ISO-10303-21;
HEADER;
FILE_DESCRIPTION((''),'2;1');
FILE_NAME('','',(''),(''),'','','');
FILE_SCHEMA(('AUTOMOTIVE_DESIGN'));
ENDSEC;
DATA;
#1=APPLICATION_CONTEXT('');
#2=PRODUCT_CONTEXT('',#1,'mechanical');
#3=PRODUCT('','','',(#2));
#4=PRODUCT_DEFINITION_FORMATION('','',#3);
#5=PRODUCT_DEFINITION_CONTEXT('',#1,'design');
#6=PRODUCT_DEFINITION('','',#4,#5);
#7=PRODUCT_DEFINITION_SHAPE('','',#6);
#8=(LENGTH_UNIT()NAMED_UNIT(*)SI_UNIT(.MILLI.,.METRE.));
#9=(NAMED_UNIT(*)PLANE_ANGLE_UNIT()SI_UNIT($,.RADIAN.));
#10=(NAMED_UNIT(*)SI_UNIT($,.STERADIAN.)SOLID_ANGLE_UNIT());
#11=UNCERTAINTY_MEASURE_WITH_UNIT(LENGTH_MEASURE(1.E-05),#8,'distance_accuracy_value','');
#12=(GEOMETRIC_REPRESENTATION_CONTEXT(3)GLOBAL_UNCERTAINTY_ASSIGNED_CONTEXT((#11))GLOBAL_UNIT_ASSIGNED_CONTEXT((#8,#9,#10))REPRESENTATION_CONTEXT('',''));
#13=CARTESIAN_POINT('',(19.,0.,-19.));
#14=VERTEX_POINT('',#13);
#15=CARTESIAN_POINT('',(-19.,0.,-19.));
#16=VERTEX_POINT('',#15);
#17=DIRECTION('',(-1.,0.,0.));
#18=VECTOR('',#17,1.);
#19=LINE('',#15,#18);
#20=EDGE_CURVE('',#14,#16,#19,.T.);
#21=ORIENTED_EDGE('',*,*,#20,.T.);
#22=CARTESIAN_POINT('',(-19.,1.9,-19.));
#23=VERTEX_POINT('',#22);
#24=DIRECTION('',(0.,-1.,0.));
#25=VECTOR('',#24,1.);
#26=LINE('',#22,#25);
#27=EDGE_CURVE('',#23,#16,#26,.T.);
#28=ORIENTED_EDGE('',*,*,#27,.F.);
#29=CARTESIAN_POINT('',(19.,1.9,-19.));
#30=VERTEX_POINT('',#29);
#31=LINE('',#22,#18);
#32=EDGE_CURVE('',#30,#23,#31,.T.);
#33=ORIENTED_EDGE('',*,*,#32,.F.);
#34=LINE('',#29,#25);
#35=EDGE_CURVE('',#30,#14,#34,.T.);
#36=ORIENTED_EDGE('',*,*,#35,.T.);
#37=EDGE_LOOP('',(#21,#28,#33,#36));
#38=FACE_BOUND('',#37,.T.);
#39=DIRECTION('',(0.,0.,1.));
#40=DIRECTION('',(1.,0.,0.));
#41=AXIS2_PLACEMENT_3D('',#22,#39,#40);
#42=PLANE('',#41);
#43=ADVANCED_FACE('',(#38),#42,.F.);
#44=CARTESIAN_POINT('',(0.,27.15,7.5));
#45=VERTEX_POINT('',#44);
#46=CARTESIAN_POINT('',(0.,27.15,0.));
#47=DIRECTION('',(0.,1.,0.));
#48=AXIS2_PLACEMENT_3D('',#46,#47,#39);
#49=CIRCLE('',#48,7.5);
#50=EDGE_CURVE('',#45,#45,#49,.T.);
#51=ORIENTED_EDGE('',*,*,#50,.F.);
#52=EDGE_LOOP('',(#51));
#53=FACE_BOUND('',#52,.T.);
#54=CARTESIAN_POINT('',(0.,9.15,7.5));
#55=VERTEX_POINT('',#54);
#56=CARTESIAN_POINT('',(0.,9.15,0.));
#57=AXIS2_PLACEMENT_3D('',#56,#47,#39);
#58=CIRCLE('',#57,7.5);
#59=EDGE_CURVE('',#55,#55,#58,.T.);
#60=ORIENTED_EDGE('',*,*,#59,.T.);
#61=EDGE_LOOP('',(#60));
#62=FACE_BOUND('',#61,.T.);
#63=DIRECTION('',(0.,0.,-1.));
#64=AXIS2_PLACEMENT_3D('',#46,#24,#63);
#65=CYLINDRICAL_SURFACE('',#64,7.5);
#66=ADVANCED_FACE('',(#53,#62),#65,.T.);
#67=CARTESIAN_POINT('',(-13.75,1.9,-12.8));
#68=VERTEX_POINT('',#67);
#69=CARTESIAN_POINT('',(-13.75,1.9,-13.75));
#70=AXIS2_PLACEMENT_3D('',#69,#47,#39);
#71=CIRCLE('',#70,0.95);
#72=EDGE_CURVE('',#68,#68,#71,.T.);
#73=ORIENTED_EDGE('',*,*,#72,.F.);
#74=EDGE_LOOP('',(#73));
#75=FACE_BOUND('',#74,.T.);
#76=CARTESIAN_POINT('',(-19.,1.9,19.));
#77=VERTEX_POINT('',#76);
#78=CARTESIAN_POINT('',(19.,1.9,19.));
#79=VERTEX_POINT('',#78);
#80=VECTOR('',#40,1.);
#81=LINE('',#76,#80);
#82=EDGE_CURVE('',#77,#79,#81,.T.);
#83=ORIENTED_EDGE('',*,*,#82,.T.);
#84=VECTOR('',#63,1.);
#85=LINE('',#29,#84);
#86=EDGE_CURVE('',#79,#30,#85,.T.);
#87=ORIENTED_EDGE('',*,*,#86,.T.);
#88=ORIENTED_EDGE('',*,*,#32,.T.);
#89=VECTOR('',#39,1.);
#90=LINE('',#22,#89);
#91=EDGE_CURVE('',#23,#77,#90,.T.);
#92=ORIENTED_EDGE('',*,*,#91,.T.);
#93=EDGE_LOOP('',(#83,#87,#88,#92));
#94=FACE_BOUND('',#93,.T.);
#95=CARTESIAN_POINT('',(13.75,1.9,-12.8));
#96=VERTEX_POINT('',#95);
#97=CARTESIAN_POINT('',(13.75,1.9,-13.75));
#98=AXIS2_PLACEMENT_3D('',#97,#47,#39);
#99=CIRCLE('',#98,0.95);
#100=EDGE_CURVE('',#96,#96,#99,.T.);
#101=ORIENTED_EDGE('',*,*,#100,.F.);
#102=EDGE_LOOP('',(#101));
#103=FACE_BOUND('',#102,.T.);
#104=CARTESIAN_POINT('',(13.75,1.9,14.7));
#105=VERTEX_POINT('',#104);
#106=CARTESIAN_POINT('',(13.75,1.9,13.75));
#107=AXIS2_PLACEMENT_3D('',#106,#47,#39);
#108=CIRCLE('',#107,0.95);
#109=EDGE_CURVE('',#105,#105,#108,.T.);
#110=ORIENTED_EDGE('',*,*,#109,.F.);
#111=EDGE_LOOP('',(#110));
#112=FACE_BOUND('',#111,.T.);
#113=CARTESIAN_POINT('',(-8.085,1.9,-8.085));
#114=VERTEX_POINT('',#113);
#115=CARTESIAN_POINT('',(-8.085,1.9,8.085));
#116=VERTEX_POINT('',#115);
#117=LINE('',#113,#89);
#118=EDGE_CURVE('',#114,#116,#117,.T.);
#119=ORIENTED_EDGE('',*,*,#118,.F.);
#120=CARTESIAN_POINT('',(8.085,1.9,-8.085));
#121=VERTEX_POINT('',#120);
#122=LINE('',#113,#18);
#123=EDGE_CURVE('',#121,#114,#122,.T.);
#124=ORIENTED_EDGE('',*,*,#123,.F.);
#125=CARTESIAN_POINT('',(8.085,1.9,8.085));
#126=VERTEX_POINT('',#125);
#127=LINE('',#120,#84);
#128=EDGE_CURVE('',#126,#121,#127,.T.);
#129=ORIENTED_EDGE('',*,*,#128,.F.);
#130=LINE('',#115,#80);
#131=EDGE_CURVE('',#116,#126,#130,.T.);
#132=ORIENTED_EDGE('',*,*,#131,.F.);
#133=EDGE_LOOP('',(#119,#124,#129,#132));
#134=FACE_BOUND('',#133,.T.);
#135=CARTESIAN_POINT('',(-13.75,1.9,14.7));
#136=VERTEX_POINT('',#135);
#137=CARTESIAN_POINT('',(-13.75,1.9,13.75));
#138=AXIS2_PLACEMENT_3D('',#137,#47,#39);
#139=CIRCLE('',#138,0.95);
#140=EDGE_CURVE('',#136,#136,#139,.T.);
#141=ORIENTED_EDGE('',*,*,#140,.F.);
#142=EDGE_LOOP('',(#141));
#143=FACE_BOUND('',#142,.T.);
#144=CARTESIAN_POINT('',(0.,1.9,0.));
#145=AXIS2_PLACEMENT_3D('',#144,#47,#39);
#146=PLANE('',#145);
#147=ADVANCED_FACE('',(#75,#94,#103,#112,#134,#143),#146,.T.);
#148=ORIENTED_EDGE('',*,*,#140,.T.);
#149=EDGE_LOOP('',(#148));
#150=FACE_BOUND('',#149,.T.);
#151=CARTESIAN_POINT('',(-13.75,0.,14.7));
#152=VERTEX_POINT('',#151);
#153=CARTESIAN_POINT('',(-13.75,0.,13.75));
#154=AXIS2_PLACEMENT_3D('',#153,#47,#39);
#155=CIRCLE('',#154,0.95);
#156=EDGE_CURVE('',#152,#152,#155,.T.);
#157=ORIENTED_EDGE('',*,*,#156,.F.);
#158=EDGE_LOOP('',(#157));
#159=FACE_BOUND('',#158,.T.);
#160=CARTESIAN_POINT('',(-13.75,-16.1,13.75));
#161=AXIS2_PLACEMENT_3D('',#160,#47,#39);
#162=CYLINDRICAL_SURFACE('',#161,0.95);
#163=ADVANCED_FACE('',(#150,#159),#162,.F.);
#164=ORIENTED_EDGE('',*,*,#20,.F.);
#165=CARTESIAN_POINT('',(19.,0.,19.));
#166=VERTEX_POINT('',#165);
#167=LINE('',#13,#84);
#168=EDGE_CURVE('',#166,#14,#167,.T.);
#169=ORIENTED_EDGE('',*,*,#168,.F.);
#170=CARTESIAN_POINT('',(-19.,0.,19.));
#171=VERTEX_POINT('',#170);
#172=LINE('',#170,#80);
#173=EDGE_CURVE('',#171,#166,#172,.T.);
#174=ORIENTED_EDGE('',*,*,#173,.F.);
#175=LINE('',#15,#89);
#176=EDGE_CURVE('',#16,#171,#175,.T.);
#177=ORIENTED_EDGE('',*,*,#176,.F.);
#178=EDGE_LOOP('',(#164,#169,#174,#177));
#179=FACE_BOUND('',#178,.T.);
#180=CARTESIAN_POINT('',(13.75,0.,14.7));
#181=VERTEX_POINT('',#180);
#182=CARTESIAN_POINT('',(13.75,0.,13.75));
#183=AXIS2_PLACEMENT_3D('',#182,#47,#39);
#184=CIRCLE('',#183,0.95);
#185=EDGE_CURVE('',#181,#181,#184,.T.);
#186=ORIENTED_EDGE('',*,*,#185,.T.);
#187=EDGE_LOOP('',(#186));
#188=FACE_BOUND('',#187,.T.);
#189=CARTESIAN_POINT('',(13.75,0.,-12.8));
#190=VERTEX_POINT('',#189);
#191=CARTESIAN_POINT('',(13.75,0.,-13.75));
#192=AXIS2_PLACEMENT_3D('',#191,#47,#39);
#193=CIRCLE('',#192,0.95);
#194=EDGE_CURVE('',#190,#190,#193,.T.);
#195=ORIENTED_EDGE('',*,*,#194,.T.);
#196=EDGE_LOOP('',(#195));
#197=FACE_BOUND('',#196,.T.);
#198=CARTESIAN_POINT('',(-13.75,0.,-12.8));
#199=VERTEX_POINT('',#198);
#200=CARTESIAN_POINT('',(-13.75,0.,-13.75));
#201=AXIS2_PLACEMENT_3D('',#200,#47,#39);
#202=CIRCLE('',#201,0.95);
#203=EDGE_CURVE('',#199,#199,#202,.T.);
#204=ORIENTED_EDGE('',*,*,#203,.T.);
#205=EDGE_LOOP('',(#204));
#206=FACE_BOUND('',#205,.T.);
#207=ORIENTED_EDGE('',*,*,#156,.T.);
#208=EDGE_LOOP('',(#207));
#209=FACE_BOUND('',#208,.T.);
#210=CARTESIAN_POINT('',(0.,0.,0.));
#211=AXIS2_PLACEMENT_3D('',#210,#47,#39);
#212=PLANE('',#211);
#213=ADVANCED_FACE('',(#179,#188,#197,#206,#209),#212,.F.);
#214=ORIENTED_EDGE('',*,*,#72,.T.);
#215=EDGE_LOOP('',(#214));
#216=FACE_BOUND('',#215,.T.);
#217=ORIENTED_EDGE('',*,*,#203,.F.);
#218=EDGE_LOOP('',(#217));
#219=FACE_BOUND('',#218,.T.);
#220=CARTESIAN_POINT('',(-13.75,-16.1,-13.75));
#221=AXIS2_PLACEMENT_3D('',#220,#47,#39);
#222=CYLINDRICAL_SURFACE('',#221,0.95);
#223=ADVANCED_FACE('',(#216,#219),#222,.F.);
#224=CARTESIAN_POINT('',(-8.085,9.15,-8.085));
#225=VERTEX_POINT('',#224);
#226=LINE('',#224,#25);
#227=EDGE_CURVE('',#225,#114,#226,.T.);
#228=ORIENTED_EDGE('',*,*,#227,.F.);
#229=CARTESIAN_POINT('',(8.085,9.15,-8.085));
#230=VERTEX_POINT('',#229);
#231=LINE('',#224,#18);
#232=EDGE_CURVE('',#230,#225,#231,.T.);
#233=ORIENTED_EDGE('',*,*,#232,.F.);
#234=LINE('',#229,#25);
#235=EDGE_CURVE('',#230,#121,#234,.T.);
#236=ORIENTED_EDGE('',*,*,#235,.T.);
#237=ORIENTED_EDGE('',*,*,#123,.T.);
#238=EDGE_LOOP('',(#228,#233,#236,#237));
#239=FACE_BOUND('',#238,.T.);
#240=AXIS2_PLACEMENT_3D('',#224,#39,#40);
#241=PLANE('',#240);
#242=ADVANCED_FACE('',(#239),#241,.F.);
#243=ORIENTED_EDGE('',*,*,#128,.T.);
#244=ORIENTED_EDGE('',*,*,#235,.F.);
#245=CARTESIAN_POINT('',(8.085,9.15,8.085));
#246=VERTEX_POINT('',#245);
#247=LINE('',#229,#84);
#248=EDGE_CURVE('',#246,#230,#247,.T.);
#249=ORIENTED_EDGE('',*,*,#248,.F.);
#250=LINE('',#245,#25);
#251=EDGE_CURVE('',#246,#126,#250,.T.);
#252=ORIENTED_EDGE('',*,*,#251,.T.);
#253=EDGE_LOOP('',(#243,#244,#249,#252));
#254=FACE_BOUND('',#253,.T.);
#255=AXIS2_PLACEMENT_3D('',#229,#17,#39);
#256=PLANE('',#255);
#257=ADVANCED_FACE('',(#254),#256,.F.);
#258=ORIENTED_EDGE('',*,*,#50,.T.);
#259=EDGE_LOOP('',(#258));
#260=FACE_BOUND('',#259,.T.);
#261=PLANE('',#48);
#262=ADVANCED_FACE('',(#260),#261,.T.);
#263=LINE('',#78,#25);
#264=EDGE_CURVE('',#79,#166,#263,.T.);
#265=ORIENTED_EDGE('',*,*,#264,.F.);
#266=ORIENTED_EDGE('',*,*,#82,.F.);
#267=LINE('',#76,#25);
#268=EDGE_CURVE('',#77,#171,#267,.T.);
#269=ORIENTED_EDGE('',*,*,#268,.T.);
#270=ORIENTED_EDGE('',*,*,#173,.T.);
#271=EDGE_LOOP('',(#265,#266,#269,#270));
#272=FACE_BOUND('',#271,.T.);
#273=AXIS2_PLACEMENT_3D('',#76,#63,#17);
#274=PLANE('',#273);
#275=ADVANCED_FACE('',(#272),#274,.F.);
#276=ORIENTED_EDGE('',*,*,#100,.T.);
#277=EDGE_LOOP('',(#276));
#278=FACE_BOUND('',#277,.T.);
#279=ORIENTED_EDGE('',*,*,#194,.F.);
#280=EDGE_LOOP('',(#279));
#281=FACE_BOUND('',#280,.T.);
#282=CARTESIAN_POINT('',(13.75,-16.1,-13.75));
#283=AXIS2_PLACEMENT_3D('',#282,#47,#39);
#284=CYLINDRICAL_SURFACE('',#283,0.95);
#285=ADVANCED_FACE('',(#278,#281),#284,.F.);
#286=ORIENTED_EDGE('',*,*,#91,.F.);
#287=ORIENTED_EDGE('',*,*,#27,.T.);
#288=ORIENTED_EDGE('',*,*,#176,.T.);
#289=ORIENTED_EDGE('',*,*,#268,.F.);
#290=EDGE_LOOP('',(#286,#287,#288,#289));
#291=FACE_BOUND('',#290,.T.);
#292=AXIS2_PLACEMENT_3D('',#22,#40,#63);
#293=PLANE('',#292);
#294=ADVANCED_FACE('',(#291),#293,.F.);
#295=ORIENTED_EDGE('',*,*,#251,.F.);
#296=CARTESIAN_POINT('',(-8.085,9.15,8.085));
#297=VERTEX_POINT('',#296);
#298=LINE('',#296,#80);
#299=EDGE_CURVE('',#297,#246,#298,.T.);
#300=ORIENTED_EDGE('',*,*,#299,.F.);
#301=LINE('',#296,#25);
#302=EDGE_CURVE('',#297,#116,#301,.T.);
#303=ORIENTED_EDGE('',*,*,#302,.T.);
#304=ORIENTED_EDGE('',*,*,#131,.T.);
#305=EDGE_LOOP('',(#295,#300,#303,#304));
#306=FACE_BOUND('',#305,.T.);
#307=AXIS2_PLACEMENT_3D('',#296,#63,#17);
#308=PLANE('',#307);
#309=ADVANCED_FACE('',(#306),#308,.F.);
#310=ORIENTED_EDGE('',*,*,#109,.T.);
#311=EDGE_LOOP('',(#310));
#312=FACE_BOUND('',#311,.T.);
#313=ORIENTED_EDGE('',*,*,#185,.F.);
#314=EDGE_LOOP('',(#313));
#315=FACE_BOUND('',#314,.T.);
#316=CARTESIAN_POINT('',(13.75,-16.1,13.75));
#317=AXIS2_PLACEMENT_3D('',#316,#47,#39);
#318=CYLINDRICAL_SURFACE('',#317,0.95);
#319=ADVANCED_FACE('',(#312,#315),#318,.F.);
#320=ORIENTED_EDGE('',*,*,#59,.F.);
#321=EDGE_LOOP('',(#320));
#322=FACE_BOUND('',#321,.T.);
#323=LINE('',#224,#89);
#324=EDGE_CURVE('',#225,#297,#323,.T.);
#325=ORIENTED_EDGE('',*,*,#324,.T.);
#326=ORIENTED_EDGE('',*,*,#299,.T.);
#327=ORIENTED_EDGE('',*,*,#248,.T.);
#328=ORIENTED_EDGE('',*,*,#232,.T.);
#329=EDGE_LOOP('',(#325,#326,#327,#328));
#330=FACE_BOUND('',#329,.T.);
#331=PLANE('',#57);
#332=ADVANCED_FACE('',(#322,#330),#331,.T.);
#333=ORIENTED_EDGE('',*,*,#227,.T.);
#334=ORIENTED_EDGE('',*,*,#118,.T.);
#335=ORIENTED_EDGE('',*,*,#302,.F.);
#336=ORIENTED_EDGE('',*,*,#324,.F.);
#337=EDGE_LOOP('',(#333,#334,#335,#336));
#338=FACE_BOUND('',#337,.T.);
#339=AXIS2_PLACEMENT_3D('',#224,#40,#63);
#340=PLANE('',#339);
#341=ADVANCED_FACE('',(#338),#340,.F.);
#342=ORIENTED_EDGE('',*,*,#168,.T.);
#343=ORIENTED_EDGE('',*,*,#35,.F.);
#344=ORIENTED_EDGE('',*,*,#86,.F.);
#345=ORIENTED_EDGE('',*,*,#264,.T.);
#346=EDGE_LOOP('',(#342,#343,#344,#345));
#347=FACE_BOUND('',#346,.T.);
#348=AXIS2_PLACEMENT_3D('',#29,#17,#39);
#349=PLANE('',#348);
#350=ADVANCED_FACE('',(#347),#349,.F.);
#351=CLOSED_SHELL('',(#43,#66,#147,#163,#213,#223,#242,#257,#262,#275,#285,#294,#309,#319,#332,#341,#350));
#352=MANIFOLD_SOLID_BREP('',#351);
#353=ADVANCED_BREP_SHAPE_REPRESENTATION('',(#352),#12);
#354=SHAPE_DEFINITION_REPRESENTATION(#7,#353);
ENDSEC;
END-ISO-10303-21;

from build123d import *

# Parameters (mm, degrees)
SKETCH1_W           = 38
SKETCH1_H           = 38
BOSS_EXTRUDE1_DEPTH = 1.9
SKETCH2_W           = 16.17
SKETCH2_H           = 16.17
BOSS_EXTRUDE2_DEPTH = 7.25
SKETCH4_R           = 7.5
BOSS_EXTRUDE3_DEPTH = 18
SKETCH5_R           = 0.95
CUT_EXTRUDE1_DEPTH  = 18


with BuildPart() as part:
    # Sketch1 → Boss-Extrude1 (new body)
    with BuildSketch(Plane(origin=(0, 0, 0), x_dir=(1, 0, 0), z_dir=(0, 1, 0))):
        Rectangle(SKETCH1_W, SKETCH1_H)
    extrude(amount=BOSS_EXTRUDE1_DEPTH)

    # Sketch2 → Boss-Extrude2 (add)
    with BuildSketch(Plane(origin=(0, 1.9, 0), x_dir=(1, 0, 0), z_dir=(0, 1, 0))):
        Rectangle(SKETCH2_W, SKETCH2_H)
    extrude(amount=BOSS_EXTRUDE2_DEPTH)

    # Sketch4 → Boss-Extrude3 (add)
    with BuildSketch(Plane(origin=(0, 9.15, 0), x_dir=(1, 0, 0), z_dir=(0, 1, 0))):
        with Locations(Location((0, 0, 0), (0, 0, 270))):
            Circle(SKETCH4_R)
    extrude(amount=BOSS_EXTRUDE3_DEPTH)

    # Sketch5 → Cut-Extrude1 (cut)
    with BuildSketch(Plane(origin=(0, 1.9, 0), x_dir=(1, 0, 0), z_dir=(0, 1, 0))):
        with Locations(Location((-13.75, 13.75, 0), (0, 0, 270))):
            Circle(SKETCH5_R)
        with Locations(Location((13.75, 13.75, 0), (0, 0, 270))):
            Circle(SKETCH5_R)
        with Locations(Location((13.75, -13.75, 0), (0, 0, 270))):
            Circle(SKETCH5_R)
        with Locations(Location((-13.75, -13.75, 0), (0, 0, 270))):
            Circle(SKETCH5_R)
    extrude(amount=-CUT_EXTRUDE1_DEPTH, mode=Mode.SUBTRACT)


solid = part.part
